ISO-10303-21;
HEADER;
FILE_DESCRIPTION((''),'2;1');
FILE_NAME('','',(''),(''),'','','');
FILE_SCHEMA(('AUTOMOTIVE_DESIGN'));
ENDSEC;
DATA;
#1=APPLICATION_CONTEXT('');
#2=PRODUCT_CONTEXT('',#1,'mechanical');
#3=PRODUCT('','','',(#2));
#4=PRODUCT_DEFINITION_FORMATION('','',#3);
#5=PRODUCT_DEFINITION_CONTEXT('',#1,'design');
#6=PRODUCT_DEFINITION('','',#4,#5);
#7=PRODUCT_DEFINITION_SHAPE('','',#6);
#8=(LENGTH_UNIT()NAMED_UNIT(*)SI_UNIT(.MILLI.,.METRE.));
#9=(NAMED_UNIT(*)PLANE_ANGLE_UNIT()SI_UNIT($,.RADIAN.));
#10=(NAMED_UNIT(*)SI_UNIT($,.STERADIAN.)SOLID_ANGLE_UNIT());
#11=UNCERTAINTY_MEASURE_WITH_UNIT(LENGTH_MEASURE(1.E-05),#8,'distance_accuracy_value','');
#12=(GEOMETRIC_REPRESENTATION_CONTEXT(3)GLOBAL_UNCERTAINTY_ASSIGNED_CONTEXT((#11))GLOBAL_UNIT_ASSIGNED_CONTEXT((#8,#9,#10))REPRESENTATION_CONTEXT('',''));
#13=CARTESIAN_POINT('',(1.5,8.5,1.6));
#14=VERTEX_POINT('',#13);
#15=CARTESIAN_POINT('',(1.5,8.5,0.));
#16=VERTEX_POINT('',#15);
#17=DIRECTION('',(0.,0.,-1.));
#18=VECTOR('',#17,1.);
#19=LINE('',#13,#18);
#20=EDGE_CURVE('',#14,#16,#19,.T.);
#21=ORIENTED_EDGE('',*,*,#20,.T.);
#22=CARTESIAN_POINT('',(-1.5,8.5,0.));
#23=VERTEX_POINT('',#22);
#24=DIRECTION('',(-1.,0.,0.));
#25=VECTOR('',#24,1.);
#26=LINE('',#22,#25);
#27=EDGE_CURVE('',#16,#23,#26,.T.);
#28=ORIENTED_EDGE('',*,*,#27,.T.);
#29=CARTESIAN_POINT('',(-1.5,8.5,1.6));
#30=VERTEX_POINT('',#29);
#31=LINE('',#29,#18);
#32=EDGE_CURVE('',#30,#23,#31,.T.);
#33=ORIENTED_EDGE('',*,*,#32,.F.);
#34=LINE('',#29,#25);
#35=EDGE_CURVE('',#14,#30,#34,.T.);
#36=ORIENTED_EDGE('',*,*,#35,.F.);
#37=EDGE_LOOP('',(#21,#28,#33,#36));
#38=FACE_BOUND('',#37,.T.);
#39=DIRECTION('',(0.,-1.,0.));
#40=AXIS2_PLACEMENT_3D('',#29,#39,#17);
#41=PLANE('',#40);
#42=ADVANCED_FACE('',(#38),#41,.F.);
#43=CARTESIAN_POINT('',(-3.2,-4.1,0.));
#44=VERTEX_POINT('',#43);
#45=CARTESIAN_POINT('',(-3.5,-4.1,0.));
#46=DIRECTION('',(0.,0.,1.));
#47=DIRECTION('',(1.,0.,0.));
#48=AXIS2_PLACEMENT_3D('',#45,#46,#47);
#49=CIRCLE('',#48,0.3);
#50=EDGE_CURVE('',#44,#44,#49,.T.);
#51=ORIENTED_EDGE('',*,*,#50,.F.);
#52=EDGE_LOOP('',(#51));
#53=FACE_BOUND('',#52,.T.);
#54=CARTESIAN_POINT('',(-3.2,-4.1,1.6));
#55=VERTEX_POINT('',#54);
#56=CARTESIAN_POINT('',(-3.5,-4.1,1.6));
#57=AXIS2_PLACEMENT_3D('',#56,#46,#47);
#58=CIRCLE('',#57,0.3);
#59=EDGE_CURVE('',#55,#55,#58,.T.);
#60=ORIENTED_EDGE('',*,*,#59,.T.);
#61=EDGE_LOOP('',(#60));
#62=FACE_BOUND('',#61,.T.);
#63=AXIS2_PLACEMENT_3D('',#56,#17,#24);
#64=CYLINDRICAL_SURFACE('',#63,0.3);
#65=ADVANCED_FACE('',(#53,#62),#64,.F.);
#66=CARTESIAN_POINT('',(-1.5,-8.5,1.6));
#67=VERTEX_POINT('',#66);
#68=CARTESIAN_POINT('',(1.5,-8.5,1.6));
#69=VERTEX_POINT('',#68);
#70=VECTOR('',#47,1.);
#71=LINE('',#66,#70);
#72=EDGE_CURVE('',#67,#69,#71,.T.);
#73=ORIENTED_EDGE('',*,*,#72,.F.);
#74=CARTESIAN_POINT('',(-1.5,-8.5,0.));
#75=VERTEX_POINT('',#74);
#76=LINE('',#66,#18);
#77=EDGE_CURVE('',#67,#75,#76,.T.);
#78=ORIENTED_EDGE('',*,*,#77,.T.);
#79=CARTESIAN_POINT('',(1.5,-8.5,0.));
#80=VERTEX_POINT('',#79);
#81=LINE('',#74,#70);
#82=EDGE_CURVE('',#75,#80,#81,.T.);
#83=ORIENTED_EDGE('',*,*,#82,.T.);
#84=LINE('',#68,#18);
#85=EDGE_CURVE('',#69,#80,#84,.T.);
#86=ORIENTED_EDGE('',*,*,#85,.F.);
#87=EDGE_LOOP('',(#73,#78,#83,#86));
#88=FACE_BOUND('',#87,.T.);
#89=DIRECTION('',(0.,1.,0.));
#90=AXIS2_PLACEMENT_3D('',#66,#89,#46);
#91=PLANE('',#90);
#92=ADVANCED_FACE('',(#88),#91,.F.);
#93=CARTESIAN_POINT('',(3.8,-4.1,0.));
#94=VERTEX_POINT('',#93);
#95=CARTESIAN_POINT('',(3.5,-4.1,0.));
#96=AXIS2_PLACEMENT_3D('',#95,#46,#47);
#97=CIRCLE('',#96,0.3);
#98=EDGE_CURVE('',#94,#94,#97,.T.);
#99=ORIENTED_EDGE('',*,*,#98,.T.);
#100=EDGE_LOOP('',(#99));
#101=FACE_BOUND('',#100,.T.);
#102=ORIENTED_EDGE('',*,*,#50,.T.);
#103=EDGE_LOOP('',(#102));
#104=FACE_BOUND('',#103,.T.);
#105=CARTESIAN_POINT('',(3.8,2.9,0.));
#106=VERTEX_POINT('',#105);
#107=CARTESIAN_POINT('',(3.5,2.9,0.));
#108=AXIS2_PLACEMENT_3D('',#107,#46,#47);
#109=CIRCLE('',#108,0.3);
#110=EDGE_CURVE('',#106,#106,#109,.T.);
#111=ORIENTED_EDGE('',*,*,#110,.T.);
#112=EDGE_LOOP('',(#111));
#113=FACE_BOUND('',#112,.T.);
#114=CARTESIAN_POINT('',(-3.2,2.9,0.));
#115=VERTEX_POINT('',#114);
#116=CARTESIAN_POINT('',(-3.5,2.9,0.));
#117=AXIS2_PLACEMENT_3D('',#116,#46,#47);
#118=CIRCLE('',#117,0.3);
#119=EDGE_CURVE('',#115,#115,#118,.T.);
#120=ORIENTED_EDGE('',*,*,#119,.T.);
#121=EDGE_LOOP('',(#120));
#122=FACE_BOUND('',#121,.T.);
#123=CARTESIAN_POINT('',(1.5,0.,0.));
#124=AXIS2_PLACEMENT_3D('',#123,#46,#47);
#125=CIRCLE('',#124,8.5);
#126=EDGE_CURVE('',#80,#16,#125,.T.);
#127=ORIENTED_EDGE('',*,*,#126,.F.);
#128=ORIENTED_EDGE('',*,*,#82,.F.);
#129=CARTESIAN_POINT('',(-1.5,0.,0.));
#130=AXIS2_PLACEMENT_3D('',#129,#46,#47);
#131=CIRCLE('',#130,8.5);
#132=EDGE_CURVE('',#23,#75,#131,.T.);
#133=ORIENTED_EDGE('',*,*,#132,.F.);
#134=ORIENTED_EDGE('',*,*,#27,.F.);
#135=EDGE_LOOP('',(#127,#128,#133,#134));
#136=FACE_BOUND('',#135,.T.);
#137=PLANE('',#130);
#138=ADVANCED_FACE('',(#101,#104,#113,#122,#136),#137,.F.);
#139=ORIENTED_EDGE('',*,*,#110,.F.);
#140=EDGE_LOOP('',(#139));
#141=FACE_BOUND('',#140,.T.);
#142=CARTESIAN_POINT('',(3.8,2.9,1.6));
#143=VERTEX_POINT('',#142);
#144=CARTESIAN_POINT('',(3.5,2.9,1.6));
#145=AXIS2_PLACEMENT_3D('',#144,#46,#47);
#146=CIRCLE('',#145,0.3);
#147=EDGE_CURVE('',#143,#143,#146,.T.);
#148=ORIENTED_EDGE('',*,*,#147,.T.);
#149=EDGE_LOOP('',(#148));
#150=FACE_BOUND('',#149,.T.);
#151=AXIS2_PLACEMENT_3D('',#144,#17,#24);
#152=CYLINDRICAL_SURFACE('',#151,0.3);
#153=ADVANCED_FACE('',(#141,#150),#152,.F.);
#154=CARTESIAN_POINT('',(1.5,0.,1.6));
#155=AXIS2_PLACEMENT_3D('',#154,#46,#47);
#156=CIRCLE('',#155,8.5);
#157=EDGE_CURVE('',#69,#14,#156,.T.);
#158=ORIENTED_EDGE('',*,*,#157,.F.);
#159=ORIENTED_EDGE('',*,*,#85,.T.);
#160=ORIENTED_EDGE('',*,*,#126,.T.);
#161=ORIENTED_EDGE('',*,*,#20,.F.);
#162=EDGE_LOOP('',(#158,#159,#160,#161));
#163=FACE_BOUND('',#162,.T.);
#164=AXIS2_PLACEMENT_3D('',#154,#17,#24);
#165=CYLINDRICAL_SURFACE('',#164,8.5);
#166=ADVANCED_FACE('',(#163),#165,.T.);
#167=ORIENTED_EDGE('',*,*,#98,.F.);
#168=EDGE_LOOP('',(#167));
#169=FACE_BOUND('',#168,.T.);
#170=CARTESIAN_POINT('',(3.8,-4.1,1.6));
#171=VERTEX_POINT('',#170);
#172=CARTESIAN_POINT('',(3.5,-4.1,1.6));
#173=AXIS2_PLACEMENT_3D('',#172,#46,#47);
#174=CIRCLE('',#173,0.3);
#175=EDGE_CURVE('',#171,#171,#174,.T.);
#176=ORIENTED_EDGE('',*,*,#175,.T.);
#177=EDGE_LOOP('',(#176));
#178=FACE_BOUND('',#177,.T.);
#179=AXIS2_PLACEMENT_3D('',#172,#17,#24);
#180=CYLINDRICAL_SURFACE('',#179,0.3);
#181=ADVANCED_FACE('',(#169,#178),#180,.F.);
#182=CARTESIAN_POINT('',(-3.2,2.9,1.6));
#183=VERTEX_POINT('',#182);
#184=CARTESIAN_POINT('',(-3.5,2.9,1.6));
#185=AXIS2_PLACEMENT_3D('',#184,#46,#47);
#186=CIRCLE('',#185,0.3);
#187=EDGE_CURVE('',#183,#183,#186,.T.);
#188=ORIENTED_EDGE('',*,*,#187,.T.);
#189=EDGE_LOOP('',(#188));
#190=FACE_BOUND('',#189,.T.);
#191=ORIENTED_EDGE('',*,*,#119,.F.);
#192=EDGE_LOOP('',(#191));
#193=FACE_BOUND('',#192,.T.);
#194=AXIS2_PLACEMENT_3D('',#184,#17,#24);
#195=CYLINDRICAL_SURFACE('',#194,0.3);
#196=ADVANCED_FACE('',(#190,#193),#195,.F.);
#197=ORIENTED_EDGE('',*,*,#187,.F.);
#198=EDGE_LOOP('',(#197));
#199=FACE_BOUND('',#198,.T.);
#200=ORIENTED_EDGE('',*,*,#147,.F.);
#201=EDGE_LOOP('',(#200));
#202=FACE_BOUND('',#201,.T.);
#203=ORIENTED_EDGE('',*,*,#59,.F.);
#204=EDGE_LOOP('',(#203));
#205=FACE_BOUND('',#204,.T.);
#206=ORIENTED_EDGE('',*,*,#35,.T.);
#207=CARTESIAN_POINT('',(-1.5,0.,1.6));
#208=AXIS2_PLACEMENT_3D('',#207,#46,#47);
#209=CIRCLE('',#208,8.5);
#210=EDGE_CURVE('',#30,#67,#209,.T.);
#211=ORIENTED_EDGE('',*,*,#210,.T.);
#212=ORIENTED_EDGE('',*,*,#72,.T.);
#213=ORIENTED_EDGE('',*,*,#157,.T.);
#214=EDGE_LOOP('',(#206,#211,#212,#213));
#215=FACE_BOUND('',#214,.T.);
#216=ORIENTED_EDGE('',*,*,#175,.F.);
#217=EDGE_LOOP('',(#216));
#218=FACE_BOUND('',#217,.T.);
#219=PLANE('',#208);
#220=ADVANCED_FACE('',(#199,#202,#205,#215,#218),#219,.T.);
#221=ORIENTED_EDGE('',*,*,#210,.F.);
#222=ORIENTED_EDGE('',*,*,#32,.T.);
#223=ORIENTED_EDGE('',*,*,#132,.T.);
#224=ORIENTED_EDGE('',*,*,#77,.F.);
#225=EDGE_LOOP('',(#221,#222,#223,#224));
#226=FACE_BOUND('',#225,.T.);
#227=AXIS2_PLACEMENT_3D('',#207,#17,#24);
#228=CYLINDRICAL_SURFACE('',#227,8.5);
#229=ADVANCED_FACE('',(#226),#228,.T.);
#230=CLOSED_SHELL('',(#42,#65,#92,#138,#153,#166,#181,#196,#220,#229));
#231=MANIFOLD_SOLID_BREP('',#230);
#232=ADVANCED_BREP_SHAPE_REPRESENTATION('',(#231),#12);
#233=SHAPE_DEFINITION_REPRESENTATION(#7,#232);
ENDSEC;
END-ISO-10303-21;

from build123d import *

# Parameters (mm, degrees)
SKETCH1_R           = 0.3
BOSS_EXTRUDE1_DEPTH = 1.6


with BuildPart() as part:
    # Sketch1 → Boss-Extrude1 (new body)
    with BuildSketch(Plane.XY):
        with BuildLine():
            Line((-1.5, 8.5), (1.5, 8.5))
            ThreePointArc((1.5, 8.5), (10, 0), (1.5, -8.5))
            Line((1.5, -8.5), (-1.5, -8.5))
            ThreePointArc((-1.5, -8.5), (-10, 0), (-1.5, 8.5))
        make_face()
        with Locations((3.5, 2.9)):
            Circle(SKETCH1_R, mode=Mode.SUBTRACT)
        with Locations((-3.5, 2.9)):
            Circle(SKETCH1_R, mode=Mode.SUBTRACT)
        with Locations((-3.5, -4.1)):
            Circle(SKETCH1_R, mode=Mode.SUBTRACT)
        with Locations((3.5, -4.1)):
            Circle(SKETCH1_R, mode=Mode.SUBTRACT)
    extrude(amount=BOSS_EXTRUDE1_DEPTH)


solid = part.part
